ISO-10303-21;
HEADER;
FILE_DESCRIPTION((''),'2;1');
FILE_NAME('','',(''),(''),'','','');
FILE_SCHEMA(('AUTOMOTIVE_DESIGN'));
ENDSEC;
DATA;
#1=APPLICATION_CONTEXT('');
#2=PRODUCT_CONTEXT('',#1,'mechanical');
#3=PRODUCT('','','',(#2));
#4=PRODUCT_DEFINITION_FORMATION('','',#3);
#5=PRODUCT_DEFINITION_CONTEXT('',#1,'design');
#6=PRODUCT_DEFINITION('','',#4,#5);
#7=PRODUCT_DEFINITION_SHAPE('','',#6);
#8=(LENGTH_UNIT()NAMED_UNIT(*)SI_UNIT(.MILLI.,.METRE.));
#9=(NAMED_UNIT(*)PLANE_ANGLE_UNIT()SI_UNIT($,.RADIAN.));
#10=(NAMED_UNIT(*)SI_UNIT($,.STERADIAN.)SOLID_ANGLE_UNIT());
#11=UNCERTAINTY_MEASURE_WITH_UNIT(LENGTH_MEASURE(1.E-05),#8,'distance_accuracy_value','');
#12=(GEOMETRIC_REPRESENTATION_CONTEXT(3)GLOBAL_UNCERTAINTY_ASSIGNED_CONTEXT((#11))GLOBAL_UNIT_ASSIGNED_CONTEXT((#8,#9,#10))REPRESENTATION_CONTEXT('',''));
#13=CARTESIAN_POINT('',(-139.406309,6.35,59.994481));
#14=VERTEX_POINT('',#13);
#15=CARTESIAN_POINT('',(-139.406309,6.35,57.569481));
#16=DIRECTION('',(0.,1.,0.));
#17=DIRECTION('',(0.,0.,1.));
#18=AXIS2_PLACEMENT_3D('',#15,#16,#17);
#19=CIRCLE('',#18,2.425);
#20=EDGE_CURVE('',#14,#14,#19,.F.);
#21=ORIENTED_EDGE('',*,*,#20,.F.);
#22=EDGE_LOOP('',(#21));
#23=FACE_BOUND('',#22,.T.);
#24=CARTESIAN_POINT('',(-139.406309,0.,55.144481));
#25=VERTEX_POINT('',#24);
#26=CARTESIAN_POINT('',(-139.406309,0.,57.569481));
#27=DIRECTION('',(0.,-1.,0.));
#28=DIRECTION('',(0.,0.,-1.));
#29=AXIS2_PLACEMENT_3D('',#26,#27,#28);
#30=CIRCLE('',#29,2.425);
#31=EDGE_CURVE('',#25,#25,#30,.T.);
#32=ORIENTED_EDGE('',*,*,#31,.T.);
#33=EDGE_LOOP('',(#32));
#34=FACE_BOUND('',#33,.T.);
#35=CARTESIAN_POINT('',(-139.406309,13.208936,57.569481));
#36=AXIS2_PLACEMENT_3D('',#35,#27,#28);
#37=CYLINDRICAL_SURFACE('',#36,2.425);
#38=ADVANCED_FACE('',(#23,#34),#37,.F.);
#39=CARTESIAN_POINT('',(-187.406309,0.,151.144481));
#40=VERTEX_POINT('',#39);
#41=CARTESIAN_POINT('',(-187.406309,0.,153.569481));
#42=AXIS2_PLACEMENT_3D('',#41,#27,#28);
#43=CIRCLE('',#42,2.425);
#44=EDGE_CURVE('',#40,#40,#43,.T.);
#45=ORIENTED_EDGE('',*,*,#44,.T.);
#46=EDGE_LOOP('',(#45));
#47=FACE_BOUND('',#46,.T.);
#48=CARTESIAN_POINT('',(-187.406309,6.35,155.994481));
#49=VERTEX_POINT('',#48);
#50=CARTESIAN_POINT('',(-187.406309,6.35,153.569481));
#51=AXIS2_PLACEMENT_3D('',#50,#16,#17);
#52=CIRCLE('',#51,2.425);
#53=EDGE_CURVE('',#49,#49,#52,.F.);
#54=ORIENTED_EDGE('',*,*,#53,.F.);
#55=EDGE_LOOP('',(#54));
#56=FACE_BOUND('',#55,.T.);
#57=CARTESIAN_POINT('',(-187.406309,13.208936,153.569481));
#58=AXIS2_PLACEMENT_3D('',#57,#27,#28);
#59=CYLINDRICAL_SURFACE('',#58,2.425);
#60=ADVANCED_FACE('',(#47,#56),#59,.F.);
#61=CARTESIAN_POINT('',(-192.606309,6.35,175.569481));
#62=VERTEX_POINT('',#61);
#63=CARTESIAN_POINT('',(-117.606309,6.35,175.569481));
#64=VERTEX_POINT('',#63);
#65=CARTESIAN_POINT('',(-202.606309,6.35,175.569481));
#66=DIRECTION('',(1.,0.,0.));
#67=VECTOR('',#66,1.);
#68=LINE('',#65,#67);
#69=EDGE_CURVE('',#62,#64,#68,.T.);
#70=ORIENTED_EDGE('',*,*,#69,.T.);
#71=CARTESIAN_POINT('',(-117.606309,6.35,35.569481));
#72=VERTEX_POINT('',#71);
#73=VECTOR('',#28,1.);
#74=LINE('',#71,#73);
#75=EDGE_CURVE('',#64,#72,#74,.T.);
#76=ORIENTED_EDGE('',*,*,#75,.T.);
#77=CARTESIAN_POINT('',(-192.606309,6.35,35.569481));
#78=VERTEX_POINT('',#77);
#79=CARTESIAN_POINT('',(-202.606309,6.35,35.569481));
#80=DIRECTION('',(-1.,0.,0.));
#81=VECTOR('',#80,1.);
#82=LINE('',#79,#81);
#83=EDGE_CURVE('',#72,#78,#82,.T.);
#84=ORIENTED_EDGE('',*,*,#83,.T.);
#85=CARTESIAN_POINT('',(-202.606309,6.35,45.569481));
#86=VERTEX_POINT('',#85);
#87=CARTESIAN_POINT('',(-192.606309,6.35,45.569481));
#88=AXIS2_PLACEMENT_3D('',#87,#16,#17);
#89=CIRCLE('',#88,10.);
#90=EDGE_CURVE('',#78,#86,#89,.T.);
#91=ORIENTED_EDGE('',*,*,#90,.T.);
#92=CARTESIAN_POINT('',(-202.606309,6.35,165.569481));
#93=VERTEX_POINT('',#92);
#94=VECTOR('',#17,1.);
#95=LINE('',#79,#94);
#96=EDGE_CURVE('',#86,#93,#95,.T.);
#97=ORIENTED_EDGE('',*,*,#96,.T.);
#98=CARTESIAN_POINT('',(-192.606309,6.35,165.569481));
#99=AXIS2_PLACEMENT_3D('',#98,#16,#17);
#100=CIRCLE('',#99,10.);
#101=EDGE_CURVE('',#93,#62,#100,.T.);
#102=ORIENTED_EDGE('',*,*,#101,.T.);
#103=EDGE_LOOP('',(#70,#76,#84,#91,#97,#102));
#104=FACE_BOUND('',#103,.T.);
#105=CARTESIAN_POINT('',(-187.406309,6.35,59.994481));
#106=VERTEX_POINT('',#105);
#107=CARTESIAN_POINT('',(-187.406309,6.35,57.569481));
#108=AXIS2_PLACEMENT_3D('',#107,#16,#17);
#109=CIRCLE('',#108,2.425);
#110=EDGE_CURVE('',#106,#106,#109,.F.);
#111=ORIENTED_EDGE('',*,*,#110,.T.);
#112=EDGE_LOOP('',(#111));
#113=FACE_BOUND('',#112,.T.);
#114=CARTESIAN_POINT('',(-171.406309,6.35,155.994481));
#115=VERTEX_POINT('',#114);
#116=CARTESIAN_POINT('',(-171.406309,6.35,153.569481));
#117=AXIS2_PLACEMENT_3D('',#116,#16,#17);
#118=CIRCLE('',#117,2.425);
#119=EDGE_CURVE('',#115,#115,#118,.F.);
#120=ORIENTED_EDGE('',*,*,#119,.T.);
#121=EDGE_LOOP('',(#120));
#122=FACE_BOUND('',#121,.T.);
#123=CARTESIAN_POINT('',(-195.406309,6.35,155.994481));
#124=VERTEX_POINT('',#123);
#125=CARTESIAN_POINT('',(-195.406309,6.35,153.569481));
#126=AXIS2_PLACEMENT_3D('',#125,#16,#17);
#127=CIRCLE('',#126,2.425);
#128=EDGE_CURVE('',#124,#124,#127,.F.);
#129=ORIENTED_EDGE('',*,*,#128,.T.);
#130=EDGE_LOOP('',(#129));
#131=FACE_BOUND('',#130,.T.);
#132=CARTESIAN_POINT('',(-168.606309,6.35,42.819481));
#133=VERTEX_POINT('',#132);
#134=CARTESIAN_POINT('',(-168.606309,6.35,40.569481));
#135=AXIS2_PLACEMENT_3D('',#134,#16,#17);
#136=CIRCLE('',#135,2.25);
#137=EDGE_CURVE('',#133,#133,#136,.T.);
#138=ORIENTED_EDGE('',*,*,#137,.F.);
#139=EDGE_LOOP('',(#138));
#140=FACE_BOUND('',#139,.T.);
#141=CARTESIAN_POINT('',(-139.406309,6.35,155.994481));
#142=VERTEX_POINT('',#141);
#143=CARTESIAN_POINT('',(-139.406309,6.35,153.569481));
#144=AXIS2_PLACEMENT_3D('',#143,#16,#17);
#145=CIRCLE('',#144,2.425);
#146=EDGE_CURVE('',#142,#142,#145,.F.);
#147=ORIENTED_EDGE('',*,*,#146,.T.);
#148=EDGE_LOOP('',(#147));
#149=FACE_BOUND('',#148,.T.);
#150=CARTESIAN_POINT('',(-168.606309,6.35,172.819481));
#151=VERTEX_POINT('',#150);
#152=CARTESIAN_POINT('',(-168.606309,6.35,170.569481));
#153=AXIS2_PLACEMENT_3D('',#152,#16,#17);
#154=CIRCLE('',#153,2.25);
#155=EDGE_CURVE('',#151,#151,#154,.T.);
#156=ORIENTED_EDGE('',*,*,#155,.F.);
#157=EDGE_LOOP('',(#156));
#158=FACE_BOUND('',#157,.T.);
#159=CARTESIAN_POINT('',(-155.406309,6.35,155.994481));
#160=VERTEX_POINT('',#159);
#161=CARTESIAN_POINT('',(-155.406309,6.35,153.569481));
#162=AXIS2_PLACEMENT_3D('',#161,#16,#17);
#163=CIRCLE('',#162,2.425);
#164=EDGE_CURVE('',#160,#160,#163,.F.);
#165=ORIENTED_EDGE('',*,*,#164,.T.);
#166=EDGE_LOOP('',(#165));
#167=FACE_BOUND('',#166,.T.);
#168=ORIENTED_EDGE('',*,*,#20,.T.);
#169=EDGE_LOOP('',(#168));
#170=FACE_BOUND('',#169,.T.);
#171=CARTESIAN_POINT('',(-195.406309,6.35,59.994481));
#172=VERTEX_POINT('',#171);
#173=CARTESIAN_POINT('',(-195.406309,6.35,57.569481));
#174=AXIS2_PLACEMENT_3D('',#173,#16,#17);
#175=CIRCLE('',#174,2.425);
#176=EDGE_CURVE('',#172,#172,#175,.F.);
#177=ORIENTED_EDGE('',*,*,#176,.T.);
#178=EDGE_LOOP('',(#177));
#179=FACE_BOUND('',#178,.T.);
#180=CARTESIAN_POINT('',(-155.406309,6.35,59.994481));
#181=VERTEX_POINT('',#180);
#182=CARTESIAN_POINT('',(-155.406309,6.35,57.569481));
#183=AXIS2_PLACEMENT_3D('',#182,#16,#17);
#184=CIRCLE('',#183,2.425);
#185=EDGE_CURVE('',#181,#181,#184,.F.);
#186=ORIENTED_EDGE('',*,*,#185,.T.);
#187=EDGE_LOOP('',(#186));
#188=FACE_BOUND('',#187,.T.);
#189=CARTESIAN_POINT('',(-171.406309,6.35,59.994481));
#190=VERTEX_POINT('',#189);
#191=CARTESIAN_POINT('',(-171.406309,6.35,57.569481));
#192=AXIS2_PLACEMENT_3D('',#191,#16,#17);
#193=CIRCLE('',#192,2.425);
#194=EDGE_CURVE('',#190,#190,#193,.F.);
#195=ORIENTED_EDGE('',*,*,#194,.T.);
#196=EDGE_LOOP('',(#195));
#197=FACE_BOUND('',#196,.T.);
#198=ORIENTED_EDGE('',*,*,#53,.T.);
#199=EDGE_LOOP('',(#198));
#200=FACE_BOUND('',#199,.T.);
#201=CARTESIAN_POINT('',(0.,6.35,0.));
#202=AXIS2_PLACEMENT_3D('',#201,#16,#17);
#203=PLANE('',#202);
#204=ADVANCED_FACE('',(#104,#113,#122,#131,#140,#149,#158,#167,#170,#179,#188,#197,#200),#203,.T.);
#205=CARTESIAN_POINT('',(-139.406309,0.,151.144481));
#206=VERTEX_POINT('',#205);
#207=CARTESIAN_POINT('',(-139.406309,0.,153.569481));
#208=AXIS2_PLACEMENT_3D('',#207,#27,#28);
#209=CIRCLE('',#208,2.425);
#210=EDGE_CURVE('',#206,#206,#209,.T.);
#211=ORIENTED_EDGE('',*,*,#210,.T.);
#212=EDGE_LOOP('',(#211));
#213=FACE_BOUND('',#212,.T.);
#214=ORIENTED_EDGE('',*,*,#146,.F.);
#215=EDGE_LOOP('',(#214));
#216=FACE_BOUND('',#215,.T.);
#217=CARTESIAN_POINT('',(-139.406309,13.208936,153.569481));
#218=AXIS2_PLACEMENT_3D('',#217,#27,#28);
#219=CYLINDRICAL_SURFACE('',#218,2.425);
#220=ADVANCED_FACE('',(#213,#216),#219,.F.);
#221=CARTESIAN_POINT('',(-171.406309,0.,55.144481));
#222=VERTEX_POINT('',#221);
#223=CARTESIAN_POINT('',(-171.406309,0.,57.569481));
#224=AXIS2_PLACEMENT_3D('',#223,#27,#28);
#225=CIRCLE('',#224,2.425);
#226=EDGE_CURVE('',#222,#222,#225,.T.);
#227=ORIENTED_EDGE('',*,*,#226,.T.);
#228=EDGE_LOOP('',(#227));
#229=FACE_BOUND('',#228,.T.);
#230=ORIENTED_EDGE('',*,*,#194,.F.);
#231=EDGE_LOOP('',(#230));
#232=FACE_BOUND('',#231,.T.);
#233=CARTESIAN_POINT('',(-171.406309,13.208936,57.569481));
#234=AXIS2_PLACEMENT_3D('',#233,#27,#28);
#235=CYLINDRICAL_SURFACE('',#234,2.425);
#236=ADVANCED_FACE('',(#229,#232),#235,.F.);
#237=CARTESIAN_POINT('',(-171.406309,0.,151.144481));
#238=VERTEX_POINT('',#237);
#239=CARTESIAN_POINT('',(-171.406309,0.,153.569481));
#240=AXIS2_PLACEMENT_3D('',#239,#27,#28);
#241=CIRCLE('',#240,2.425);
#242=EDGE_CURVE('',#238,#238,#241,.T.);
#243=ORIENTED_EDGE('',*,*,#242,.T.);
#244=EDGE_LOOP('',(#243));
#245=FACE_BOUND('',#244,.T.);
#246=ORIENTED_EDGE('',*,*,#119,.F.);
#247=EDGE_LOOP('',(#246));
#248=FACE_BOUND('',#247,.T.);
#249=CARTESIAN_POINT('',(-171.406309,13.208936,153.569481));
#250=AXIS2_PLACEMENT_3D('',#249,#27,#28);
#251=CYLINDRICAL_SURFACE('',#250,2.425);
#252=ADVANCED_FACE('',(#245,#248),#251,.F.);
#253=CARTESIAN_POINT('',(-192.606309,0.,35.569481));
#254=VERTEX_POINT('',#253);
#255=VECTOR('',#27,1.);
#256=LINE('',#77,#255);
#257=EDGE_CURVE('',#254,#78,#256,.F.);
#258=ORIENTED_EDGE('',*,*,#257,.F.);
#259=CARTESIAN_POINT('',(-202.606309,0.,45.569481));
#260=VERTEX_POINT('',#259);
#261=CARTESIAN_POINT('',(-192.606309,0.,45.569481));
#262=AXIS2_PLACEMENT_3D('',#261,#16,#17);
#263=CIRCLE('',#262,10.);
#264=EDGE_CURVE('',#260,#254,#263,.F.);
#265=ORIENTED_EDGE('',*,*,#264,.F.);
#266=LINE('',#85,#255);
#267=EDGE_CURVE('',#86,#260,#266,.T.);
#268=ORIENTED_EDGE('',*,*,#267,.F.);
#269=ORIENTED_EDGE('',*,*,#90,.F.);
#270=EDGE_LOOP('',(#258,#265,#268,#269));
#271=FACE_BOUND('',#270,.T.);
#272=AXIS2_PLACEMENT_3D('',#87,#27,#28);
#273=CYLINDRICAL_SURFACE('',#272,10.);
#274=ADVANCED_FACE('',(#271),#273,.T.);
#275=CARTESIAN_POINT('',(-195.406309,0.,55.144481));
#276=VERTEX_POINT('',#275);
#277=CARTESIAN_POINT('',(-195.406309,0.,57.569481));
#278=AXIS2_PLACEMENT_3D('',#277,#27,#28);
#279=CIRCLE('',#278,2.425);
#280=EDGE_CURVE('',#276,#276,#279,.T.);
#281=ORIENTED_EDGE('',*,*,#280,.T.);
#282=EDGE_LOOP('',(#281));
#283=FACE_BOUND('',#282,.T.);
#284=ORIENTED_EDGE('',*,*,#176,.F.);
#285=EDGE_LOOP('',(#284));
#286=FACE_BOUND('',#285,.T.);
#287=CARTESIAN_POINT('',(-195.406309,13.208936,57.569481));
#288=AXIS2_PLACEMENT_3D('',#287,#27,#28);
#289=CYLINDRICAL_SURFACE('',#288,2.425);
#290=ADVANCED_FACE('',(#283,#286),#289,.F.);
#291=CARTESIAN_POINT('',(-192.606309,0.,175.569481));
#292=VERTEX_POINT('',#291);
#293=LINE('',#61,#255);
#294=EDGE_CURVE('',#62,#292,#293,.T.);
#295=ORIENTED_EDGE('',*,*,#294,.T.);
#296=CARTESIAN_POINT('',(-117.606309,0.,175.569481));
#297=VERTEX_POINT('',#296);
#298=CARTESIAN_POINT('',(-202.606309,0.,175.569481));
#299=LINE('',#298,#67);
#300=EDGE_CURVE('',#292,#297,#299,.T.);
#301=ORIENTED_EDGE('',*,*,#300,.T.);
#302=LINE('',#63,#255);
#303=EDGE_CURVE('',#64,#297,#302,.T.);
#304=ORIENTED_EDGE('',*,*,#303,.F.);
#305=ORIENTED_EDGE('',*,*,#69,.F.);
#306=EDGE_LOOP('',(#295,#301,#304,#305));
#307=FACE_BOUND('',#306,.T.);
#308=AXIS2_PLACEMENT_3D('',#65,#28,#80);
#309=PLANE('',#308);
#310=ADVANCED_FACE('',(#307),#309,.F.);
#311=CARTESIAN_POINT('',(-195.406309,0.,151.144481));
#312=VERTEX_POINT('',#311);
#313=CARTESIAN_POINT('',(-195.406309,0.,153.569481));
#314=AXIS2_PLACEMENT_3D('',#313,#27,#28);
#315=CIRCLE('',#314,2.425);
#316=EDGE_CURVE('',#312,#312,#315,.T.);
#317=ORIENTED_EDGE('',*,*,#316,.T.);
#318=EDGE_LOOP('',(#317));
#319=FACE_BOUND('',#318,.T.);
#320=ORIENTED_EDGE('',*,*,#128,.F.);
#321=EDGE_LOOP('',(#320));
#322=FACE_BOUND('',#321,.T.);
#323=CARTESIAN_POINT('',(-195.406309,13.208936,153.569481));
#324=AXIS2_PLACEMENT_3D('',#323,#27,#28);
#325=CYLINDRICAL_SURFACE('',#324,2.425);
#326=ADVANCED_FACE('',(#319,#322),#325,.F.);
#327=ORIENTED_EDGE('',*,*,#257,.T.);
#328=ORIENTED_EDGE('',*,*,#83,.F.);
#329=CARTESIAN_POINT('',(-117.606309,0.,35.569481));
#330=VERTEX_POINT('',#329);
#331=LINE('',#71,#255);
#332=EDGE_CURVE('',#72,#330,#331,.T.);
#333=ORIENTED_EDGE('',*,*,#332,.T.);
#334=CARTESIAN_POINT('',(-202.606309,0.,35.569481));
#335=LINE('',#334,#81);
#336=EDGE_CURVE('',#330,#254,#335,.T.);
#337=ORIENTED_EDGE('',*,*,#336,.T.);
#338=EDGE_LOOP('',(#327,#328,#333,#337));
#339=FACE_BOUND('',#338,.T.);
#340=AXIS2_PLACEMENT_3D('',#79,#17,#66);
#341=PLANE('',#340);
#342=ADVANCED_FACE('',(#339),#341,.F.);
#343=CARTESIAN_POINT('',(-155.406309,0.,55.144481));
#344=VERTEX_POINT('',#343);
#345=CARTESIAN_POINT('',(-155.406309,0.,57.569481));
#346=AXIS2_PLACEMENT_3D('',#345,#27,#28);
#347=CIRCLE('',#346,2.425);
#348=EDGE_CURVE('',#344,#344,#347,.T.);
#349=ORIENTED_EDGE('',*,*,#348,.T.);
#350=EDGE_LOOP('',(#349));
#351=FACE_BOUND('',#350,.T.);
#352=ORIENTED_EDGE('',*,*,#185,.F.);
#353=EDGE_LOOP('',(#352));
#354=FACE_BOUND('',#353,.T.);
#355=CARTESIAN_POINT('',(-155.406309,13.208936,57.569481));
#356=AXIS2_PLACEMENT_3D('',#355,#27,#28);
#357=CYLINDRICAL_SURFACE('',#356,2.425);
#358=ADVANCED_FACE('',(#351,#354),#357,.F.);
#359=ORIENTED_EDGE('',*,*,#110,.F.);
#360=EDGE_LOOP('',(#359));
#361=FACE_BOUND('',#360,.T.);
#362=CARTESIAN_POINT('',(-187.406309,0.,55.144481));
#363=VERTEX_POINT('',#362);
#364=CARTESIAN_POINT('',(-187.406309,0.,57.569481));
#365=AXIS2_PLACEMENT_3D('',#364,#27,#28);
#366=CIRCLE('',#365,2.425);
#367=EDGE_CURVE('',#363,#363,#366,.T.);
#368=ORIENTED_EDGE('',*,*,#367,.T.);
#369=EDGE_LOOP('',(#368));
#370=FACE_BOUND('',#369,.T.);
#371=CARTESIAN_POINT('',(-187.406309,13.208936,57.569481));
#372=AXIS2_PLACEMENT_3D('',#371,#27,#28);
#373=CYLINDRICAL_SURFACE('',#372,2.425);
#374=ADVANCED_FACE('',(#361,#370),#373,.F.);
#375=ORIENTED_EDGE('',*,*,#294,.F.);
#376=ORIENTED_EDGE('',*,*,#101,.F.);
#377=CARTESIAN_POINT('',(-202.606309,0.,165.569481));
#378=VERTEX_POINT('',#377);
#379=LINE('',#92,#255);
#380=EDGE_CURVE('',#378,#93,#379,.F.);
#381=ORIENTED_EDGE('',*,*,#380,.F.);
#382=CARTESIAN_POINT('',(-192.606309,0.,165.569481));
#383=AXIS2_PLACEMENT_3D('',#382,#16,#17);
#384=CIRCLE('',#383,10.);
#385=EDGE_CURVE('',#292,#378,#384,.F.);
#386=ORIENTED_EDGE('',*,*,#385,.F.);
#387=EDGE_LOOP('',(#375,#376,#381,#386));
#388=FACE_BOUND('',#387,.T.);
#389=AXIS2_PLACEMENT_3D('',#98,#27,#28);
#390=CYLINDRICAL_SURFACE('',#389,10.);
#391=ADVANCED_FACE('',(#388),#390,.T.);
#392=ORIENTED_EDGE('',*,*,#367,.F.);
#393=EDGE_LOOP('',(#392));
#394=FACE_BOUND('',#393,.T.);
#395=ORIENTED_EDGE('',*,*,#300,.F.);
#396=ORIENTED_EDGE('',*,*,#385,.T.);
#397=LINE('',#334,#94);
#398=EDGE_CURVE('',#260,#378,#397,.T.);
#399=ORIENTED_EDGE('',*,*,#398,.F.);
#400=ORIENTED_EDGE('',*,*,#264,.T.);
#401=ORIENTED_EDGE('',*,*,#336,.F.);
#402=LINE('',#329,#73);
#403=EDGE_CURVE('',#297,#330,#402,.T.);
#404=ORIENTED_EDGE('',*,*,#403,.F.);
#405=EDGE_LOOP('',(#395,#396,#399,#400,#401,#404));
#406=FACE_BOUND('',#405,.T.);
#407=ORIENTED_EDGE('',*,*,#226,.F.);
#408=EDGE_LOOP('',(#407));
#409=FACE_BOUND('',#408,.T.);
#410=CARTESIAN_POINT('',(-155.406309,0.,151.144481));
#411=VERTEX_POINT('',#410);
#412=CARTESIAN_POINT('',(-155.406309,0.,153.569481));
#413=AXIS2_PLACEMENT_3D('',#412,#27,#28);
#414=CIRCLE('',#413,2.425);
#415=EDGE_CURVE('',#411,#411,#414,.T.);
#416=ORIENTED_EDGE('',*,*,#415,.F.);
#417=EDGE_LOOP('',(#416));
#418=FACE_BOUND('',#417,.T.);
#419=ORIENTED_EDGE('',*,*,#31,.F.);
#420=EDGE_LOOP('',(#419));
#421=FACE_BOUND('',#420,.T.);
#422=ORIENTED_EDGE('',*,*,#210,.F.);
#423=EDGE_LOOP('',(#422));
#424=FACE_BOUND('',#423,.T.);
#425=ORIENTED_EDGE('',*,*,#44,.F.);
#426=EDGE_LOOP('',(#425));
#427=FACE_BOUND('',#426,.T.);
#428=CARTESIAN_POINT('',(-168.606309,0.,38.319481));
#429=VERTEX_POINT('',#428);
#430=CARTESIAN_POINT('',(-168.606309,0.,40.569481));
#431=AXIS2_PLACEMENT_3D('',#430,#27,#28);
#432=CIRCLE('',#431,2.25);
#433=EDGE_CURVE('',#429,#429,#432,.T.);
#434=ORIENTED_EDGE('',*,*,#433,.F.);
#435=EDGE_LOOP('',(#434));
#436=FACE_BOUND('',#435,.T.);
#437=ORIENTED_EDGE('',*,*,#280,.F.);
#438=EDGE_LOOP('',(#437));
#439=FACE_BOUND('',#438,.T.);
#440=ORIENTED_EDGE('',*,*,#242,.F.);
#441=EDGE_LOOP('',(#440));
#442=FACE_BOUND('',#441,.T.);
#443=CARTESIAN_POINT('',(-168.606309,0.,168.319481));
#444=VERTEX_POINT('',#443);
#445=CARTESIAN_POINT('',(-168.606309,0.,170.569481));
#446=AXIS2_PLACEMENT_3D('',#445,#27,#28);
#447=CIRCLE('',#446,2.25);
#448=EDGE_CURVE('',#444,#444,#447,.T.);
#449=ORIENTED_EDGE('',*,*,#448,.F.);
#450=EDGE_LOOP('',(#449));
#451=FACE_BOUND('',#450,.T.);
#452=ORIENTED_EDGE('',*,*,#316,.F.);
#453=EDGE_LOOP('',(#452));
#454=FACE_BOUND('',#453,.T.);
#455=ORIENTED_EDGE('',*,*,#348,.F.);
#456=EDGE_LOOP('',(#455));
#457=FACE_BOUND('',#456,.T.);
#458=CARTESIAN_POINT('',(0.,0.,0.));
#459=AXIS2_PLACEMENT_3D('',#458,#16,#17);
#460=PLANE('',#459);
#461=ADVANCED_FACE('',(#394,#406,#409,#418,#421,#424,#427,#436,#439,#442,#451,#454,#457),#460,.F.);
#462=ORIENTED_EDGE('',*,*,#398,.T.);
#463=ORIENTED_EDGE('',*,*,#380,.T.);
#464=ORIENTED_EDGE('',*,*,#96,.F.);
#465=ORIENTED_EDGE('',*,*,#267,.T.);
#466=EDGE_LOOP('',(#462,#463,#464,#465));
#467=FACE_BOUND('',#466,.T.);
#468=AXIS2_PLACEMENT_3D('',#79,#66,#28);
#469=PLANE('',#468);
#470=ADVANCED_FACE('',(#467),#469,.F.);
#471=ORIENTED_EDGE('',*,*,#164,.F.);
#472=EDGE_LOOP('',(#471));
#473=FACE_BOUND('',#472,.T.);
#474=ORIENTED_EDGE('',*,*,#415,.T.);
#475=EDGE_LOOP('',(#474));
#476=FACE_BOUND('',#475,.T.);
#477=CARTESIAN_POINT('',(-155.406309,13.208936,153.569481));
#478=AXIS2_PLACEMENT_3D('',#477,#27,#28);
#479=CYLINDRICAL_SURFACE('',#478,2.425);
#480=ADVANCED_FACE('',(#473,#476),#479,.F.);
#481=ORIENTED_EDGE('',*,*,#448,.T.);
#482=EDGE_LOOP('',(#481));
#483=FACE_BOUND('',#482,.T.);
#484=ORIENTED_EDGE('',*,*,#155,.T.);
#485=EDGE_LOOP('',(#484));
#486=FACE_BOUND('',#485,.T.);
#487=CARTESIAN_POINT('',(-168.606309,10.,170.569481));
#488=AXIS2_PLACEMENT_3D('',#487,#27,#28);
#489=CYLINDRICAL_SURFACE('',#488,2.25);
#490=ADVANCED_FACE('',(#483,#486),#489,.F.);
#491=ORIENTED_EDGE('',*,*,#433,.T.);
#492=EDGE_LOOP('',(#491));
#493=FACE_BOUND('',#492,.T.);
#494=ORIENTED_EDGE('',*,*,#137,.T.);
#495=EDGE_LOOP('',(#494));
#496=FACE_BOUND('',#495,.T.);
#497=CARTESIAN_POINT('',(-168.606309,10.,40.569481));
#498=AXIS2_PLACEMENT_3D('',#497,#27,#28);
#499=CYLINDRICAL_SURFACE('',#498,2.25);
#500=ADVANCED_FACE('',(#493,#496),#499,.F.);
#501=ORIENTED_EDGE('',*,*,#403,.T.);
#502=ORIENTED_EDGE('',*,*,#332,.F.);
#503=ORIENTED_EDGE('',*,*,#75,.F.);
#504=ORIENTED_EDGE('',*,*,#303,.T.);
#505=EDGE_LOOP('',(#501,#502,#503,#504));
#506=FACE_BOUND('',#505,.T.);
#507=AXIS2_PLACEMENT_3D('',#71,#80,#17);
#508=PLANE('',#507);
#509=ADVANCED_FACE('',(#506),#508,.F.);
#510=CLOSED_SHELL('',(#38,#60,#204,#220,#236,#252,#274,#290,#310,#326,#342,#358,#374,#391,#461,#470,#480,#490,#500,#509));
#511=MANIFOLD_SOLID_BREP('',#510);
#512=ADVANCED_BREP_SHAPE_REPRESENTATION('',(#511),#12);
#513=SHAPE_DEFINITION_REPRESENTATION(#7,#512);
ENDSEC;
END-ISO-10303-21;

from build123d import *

# Parameters (mm, degrees)
SKETCH1_W           = 85
SKETCH1_H           = 140
BOSS_EXTRUDE1_DEPTH = 6.35
FILLET1_R           = 10
SKETCH2_R           = 2.425
CUT_EXTRUDE1_DEPTH  = 6.35
SKETCH3_R           = 2.25
CUT_EXTRUDE2_DEPTH  = 10


with BuildPart() as part:
    # Sketch1 → Boss-Extrude1 (new body)
    with BuildSketch(Plane(origin=(0, 0, 0), x_dir=(1, 0, 0), z_dir=(0, 1, 0))):
        with Locations((-160.106308554, -105.56948084)):
            Rectangle(SKETCH1_W, SKETCH1_H)
    extrude(amount=BOSS_EXTRUDE1_DEPTH)

    # Fillet1
    fillet1_edges = [part.edges().sort_by_distance(p)[0] for p in [
        (-202.606308554, 3.175, 35.56948084),
        (-202.606308554, 3.175, 175.56948084),
    ]]
    fillet(fillet1_edges, radius=FILLET1_R)

    # Sketch2 → Cut-Extrude1 (cut)
    with BuildSketch(Plane.XZ):
        with Locations((-139.406308554, 57.56948084)):
            Circle(SKETCH2_R)
        with Locations((-155.406308554, 57.56948084)):
            Circle(SKETCH2_R)
        with Locations((-171.406308554, 57.56948084)):
            Circle(SKETCH2_R)
        with Locations((-187.406308554, 57.56948084)):
            Circle(SKETCH2_R)
        with Locations((-195.406308554, 57.56948084)):
            Circle(SKETCH2_R)
        with Locations((-139.406308554, 153.56948084)):
            Circle(SKETCH2_R)
        with Locations((-155.406308554, 153.56948084)):
            Circle(SKETCH2_R)
        with Locations((-171.406308554, 153.56948084)):
            Circle(SKETCH2_R)
        with Locations((-187.406308554, 153.56948084)):
            Circle(SKETCH2_R)
        with Locations((-195.406308554, 153.56948084)):
            Circle(SKETCH2_R)
    extrude(amount=-CUT_EXTRUDE1_DEPTH, mode=Mode.SUBTRACT)

    # Sketch3 → Cut-Extrude2 (cut)
    with BuildSketch(Plane.XZ):
        with Locations((-168.606308554, 170.56948084)):
            Circle(SKETCH3_R)
        with Locations((-168.606308554, 40.56948084)):
            Circle(SKETCH3_R)
    extrude(amount=-CUT_EXTRUDE2_DEPTH, mode=Mode.SUBTRACT)


solid = part.part
